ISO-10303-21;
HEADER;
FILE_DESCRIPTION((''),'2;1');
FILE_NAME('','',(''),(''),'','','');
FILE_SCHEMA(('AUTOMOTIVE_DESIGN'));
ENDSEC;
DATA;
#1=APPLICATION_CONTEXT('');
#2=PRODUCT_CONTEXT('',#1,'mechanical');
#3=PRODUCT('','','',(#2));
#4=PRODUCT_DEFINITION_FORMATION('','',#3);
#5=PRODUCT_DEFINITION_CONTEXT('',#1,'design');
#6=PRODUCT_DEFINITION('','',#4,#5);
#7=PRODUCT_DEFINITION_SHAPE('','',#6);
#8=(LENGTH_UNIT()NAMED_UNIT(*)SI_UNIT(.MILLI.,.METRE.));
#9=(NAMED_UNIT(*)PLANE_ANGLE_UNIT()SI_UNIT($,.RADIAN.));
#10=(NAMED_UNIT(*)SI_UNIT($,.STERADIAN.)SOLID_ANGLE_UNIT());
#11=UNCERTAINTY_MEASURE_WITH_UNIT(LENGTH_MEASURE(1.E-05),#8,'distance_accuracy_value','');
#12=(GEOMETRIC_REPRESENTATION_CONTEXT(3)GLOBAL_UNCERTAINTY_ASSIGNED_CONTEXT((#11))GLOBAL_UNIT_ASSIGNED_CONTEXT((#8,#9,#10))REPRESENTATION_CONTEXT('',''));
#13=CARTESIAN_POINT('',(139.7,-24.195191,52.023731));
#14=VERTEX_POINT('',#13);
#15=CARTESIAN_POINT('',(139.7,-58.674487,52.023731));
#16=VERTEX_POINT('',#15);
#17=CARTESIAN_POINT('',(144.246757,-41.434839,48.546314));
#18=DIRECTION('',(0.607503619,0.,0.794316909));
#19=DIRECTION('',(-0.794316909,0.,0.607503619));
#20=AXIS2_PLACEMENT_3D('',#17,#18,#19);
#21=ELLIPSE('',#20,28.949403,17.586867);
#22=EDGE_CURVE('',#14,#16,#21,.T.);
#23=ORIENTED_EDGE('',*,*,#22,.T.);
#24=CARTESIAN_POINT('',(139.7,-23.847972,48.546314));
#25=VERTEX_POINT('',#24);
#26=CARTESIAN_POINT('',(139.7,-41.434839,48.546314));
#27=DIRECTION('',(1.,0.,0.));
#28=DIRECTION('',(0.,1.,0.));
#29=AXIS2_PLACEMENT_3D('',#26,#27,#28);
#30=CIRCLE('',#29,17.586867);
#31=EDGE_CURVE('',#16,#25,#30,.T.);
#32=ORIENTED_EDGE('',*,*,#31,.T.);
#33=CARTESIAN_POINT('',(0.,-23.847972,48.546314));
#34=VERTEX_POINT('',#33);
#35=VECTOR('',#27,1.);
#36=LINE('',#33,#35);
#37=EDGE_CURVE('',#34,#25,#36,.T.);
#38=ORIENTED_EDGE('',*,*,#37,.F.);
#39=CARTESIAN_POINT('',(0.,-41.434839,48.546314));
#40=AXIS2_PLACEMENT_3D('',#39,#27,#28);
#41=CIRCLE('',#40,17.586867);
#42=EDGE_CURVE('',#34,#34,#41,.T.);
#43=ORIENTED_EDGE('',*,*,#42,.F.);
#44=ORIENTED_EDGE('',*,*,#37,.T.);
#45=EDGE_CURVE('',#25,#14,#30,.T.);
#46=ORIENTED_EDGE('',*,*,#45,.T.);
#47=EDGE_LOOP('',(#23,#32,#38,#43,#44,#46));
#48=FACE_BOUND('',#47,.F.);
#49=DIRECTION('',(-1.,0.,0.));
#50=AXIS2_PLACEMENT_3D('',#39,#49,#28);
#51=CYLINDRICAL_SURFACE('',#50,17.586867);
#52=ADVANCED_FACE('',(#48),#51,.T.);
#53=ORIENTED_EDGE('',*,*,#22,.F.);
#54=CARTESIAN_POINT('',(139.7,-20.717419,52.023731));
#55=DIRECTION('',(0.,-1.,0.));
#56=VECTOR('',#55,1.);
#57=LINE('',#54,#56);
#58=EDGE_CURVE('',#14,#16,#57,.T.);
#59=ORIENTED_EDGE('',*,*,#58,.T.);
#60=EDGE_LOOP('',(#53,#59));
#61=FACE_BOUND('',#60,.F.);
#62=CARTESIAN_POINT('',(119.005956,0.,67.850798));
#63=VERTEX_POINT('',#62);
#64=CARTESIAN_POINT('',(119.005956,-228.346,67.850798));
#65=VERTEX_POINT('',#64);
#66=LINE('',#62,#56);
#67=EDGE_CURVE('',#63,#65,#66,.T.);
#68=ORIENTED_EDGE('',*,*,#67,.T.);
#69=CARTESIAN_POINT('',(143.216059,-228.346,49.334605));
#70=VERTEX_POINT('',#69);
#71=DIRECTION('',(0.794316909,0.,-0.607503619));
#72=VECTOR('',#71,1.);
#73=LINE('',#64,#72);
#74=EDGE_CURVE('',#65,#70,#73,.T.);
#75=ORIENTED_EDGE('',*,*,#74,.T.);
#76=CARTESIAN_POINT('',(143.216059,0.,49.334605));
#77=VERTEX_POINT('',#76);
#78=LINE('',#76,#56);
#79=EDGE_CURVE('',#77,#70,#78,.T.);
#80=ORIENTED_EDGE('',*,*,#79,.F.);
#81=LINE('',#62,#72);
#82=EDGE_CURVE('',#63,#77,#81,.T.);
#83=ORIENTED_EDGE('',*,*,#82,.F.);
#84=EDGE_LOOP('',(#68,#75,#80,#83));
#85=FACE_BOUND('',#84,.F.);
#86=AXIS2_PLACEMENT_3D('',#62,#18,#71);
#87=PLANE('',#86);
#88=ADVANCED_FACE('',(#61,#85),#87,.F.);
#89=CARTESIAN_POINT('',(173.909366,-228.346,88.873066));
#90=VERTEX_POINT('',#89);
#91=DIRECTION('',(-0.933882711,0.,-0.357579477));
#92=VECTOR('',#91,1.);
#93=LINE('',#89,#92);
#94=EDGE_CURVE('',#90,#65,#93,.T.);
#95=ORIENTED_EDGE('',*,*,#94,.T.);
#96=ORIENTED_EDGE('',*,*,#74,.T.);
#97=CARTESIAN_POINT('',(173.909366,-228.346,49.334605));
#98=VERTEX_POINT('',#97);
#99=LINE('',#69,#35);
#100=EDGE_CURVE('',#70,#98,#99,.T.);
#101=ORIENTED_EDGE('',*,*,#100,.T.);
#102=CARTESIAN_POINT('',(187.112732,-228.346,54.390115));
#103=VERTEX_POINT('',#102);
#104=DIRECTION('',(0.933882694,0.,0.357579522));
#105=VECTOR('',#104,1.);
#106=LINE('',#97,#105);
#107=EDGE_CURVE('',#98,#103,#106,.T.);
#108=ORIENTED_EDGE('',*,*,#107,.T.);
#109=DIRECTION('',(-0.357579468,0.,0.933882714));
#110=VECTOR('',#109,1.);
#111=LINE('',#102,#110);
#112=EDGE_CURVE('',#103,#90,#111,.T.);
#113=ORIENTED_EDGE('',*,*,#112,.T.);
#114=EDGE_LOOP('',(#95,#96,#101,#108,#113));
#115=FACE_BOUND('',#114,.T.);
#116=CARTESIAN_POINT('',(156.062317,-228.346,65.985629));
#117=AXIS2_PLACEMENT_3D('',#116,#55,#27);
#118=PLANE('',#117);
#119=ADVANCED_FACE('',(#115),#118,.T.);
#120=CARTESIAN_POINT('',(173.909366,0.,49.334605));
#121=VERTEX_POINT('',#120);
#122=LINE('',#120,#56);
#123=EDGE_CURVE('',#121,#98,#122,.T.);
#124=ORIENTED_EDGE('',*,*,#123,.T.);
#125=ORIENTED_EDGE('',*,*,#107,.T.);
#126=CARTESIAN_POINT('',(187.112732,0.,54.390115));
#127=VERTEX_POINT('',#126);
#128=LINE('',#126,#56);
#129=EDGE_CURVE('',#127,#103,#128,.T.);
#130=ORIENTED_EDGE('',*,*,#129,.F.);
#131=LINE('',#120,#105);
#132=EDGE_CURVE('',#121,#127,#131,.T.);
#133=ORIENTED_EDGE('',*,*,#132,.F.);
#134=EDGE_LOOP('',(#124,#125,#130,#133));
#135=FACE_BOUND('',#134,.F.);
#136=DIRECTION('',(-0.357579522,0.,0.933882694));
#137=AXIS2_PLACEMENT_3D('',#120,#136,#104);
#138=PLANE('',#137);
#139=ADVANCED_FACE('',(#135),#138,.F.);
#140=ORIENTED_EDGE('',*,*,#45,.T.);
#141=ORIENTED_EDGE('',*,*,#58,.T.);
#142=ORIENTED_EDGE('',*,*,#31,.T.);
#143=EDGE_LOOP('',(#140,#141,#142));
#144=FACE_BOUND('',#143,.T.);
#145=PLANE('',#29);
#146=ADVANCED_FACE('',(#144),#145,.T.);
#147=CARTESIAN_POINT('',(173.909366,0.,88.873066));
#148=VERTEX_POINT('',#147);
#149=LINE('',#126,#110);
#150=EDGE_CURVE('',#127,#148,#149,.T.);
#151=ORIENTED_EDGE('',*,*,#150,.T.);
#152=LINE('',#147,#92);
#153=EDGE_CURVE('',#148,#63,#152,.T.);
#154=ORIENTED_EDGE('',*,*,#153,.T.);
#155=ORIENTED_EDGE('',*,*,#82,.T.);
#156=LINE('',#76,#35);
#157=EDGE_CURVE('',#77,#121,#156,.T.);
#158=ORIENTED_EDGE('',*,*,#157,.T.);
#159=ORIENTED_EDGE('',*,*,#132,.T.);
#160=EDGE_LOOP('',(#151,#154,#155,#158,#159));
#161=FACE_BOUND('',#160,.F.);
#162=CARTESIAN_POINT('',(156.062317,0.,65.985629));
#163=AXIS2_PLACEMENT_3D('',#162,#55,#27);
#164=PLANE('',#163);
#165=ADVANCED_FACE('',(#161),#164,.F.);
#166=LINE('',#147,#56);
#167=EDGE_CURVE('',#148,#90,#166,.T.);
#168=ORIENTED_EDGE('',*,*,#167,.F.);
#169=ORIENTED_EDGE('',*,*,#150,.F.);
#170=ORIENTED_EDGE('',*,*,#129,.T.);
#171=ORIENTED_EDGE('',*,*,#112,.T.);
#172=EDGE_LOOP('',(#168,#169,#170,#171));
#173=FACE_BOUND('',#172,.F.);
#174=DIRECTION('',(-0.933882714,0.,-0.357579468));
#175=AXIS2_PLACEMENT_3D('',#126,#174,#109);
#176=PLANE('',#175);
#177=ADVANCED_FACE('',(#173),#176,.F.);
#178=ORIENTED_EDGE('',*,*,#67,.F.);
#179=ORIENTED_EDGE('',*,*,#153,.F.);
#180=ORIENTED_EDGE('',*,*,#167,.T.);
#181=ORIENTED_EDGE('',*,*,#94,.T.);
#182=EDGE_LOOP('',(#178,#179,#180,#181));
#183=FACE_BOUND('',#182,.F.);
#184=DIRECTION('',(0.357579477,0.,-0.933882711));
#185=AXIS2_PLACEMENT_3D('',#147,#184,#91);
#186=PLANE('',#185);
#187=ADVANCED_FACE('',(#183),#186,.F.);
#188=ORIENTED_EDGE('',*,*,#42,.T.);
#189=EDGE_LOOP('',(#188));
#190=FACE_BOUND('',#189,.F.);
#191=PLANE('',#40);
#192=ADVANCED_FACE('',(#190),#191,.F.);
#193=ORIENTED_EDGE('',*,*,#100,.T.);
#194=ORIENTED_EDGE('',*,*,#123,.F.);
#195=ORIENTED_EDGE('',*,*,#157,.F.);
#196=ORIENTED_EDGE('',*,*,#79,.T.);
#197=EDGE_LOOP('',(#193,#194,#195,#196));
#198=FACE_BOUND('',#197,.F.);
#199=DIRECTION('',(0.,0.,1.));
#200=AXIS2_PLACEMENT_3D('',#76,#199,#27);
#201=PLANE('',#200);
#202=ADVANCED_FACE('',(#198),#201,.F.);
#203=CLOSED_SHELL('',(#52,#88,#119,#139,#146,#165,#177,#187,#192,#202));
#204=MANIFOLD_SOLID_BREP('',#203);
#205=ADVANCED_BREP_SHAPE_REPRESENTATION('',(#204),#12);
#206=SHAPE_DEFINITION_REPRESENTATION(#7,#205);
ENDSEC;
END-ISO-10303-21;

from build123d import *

# Parameters (mm, degrees)
F1_R     = 17.586867
F2_DEPTH = 139.7
F3_DEPTH = 228.346


with BuildPart() as f2:
    # F1 (on Right) → F2 (new body)
    with BuildSketch(Plane.YZ):
        with Locations((-41.434839, 48.546314)):
            Circle(F1_R)
    extrude(amount=F2_DEPTH)

    # F0 (on Front) → F3 (join)
    with BuildSketch(Plane.XZ):
        Polygon((173.909366, 88.873066), (119.005956, 67.850798), (143.216059, 49.334605), (173.909366, 49.334605), (187.112732, 54.390115), align=None)
    extrude(amount=F3_DEPTH)


solid = f2.part
